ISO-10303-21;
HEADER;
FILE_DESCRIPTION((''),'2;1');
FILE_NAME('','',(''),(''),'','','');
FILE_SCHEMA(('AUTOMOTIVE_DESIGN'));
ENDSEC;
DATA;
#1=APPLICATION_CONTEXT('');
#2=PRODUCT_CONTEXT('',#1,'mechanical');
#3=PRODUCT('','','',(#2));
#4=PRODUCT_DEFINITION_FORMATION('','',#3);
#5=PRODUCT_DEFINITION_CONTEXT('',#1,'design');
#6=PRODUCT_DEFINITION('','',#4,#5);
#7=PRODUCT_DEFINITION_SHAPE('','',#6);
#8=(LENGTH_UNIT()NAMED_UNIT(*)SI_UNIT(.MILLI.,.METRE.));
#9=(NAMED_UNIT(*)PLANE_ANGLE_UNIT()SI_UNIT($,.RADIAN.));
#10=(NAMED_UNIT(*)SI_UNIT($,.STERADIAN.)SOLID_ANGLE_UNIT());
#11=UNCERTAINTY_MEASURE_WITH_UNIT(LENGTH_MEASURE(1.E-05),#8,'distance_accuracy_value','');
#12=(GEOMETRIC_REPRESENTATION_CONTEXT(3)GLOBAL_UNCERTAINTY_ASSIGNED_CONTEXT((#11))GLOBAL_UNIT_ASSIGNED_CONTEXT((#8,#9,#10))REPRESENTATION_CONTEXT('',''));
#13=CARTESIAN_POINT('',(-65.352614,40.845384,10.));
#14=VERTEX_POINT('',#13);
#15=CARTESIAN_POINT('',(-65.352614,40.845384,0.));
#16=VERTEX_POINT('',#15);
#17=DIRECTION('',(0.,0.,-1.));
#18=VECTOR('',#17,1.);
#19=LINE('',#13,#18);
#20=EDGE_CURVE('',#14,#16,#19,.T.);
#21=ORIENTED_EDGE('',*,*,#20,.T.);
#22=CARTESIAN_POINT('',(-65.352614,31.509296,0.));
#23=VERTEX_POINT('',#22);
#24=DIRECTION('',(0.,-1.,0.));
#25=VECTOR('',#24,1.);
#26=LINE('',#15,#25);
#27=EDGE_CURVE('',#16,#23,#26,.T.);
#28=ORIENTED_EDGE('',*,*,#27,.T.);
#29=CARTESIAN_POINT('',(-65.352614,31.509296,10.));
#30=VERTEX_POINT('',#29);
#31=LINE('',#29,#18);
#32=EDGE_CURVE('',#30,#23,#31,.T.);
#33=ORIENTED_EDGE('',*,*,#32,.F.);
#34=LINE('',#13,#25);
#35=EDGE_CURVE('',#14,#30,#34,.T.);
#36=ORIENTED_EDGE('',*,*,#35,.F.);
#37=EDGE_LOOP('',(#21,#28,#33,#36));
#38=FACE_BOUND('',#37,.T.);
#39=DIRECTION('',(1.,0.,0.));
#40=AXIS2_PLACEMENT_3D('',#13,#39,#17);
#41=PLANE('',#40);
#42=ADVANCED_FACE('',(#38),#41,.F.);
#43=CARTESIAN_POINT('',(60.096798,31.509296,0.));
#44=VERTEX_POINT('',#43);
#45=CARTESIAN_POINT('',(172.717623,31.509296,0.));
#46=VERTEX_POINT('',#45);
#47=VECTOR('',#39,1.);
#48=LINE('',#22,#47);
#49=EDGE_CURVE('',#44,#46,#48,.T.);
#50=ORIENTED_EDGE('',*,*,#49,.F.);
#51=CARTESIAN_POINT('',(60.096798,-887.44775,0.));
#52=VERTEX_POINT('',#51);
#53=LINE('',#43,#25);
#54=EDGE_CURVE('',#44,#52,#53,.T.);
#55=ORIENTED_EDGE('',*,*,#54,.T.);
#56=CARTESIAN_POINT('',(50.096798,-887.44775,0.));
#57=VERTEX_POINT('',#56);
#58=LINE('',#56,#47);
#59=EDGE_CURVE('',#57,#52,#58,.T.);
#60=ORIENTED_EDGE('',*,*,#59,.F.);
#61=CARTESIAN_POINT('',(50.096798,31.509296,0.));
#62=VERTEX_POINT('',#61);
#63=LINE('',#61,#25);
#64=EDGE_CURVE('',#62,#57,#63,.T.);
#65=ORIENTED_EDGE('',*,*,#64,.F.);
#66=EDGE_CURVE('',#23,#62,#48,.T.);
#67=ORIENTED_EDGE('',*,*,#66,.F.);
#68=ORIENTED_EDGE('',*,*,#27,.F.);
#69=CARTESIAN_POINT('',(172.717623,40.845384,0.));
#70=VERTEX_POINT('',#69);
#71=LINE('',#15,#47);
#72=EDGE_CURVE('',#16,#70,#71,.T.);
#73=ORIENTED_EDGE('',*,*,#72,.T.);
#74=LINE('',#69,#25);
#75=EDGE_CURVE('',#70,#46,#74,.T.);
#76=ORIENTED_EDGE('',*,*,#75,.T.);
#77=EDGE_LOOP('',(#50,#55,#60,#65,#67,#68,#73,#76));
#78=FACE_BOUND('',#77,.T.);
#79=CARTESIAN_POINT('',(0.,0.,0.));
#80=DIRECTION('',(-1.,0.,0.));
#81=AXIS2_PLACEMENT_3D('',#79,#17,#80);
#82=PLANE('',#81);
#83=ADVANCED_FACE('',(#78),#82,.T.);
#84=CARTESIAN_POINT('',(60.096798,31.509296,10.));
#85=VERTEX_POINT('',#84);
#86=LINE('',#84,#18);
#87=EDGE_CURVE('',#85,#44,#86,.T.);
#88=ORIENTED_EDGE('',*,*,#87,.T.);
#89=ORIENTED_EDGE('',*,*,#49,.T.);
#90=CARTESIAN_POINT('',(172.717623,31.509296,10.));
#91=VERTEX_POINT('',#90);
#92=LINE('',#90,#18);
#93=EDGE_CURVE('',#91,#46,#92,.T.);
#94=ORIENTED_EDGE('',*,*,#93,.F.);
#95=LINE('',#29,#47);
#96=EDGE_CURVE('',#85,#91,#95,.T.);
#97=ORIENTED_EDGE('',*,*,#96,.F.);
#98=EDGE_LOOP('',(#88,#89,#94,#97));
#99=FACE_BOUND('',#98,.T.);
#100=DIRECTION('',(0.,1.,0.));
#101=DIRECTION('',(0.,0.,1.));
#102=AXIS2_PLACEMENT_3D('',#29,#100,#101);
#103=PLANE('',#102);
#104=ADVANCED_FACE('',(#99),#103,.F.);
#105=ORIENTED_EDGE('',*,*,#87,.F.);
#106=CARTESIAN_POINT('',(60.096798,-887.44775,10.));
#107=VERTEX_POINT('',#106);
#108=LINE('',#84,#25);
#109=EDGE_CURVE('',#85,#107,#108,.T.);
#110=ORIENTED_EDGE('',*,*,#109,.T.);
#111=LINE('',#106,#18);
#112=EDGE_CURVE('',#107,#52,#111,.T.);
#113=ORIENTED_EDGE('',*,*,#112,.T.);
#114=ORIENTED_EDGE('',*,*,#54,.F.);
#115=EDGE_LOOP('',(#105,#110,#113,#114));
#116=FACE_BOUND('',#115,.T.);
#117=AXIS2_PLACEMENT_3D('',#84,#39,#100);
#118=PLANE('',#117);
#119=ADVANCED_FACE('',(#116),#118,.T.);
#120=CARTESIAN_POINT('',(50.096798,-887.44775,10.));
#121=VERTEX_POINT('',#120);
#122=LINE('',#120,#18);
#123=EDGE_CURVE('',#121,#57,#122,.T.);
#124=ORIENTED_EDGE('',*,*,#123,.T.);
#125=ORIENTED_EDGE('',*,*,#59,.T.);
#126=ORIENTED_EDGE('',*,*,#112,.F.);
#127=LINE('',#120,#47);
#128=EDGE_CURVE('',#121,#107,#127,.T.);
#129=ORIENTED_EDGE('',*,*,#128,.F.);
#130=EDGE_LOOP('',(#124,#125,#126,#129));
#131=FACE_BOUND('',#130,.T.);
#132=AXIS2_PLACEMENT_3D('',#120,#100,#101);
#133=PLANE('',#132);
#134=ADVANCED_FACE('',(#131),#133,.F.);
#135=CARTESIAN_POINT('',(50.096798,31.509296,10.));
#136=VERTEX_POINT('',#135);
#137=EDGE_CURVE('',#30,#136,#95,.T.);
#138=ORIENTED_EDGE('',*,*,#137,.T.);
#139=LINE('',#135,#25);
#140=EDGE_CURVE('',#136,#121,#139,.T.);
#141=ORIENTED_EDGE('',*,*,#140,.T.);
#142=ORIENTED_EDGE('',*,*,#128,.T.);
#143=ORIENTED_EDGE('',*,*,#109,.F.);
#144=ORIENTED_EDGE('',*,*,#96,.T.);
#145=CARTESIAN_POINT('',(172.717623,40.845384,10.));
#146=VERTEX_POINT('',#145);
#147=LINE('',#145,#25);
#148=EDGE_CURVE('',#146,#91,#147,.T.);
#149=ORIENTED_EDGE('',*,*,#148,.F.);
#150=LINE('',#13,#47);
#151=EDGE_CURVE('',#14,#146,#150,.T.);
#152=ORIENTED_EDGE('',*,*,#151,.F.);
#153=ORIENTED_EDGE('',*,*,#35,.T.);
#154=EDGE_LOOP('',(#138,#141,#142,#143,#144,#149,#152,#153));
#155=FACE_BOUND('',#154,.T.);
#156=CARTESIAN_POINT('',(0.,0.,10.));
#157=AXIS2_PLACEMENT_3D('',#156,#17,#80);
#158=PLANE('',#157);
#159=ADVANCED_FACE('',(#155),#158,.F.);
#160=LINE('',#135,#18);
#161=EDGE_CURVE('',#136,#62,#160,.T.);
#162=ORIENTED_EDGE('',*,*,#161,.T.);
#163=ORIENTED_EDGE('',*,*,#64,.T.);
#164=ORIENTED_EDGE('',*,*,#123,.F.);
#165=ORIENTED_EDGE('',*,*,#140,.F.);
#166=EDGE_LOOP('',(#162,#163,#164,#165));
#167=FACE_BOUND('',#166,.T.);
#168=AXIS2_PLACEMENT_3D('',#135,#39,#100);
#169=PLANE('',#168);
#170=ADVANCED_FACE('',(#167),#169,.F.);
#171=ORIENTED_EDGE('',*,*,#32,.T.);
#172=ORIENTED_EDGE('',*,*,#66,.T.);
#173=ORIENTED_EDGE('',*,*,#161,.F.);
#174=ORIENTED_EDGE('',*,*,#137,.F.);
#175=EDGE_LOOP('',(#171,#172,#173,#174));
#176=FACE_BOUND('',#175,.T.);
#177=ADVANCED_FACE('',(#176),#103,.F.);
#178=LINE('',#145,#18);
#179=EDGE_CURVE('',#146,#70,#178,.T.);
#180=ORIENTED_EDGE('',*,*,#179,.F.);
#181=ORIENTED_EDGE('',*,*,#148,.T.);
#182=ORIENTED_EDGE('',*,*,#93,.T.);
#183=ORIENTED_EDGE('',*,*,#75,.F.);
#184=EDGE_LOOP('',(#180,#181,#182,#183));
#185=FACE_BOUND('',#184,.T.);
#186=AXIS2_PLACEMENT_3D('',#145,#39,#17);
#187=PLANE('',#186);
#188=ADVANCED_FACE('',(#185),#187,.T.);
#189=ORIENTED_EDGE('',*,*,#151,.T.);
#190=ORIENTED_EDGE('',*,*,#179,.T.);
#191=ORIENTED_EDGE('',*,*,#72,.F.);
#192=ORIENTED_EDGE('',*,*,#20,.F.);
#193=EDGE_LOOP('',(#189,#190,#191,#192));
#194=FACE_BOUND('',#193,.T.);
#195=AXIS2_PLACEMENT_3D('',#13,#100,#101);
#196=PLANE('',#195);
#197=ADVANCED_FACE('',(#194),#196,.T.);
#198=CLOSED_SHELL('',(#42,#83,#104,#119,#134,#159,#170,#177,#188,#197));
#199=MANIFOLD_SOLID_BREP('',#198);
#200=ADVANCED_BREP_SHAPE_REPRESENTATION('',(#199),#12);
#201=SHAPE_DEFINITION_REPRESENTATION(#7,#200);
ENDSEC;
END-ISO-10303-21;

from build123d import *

# Parameters (mm, degrees)
SKETCH_1_W      = 238.070236771
SKETCH_1_H      = 9.336087717
SKETCH_1_W_2    = 10
SKETCH_1_H_2    = 918.957046125
EXTRUDE_1_DEPTH = 10


with BuildPart() as part:
    # Эскиз1 → Бобышка-Вытянуть1 (new body)
    with BuildSketch(Plane.XY):
        with Locations((53.68250437, 36.177339902)):
            Rectangle(SKETCH_1_W, SKETCH_1_H)
        with Locations((55.096797899, -427.96922702)):
            Rectangle(SKETCH_1_W_2, SKETCH_1_H_2)
    extrude(amount=EXTRUDE_1_DEPTH)


solid = part.part
